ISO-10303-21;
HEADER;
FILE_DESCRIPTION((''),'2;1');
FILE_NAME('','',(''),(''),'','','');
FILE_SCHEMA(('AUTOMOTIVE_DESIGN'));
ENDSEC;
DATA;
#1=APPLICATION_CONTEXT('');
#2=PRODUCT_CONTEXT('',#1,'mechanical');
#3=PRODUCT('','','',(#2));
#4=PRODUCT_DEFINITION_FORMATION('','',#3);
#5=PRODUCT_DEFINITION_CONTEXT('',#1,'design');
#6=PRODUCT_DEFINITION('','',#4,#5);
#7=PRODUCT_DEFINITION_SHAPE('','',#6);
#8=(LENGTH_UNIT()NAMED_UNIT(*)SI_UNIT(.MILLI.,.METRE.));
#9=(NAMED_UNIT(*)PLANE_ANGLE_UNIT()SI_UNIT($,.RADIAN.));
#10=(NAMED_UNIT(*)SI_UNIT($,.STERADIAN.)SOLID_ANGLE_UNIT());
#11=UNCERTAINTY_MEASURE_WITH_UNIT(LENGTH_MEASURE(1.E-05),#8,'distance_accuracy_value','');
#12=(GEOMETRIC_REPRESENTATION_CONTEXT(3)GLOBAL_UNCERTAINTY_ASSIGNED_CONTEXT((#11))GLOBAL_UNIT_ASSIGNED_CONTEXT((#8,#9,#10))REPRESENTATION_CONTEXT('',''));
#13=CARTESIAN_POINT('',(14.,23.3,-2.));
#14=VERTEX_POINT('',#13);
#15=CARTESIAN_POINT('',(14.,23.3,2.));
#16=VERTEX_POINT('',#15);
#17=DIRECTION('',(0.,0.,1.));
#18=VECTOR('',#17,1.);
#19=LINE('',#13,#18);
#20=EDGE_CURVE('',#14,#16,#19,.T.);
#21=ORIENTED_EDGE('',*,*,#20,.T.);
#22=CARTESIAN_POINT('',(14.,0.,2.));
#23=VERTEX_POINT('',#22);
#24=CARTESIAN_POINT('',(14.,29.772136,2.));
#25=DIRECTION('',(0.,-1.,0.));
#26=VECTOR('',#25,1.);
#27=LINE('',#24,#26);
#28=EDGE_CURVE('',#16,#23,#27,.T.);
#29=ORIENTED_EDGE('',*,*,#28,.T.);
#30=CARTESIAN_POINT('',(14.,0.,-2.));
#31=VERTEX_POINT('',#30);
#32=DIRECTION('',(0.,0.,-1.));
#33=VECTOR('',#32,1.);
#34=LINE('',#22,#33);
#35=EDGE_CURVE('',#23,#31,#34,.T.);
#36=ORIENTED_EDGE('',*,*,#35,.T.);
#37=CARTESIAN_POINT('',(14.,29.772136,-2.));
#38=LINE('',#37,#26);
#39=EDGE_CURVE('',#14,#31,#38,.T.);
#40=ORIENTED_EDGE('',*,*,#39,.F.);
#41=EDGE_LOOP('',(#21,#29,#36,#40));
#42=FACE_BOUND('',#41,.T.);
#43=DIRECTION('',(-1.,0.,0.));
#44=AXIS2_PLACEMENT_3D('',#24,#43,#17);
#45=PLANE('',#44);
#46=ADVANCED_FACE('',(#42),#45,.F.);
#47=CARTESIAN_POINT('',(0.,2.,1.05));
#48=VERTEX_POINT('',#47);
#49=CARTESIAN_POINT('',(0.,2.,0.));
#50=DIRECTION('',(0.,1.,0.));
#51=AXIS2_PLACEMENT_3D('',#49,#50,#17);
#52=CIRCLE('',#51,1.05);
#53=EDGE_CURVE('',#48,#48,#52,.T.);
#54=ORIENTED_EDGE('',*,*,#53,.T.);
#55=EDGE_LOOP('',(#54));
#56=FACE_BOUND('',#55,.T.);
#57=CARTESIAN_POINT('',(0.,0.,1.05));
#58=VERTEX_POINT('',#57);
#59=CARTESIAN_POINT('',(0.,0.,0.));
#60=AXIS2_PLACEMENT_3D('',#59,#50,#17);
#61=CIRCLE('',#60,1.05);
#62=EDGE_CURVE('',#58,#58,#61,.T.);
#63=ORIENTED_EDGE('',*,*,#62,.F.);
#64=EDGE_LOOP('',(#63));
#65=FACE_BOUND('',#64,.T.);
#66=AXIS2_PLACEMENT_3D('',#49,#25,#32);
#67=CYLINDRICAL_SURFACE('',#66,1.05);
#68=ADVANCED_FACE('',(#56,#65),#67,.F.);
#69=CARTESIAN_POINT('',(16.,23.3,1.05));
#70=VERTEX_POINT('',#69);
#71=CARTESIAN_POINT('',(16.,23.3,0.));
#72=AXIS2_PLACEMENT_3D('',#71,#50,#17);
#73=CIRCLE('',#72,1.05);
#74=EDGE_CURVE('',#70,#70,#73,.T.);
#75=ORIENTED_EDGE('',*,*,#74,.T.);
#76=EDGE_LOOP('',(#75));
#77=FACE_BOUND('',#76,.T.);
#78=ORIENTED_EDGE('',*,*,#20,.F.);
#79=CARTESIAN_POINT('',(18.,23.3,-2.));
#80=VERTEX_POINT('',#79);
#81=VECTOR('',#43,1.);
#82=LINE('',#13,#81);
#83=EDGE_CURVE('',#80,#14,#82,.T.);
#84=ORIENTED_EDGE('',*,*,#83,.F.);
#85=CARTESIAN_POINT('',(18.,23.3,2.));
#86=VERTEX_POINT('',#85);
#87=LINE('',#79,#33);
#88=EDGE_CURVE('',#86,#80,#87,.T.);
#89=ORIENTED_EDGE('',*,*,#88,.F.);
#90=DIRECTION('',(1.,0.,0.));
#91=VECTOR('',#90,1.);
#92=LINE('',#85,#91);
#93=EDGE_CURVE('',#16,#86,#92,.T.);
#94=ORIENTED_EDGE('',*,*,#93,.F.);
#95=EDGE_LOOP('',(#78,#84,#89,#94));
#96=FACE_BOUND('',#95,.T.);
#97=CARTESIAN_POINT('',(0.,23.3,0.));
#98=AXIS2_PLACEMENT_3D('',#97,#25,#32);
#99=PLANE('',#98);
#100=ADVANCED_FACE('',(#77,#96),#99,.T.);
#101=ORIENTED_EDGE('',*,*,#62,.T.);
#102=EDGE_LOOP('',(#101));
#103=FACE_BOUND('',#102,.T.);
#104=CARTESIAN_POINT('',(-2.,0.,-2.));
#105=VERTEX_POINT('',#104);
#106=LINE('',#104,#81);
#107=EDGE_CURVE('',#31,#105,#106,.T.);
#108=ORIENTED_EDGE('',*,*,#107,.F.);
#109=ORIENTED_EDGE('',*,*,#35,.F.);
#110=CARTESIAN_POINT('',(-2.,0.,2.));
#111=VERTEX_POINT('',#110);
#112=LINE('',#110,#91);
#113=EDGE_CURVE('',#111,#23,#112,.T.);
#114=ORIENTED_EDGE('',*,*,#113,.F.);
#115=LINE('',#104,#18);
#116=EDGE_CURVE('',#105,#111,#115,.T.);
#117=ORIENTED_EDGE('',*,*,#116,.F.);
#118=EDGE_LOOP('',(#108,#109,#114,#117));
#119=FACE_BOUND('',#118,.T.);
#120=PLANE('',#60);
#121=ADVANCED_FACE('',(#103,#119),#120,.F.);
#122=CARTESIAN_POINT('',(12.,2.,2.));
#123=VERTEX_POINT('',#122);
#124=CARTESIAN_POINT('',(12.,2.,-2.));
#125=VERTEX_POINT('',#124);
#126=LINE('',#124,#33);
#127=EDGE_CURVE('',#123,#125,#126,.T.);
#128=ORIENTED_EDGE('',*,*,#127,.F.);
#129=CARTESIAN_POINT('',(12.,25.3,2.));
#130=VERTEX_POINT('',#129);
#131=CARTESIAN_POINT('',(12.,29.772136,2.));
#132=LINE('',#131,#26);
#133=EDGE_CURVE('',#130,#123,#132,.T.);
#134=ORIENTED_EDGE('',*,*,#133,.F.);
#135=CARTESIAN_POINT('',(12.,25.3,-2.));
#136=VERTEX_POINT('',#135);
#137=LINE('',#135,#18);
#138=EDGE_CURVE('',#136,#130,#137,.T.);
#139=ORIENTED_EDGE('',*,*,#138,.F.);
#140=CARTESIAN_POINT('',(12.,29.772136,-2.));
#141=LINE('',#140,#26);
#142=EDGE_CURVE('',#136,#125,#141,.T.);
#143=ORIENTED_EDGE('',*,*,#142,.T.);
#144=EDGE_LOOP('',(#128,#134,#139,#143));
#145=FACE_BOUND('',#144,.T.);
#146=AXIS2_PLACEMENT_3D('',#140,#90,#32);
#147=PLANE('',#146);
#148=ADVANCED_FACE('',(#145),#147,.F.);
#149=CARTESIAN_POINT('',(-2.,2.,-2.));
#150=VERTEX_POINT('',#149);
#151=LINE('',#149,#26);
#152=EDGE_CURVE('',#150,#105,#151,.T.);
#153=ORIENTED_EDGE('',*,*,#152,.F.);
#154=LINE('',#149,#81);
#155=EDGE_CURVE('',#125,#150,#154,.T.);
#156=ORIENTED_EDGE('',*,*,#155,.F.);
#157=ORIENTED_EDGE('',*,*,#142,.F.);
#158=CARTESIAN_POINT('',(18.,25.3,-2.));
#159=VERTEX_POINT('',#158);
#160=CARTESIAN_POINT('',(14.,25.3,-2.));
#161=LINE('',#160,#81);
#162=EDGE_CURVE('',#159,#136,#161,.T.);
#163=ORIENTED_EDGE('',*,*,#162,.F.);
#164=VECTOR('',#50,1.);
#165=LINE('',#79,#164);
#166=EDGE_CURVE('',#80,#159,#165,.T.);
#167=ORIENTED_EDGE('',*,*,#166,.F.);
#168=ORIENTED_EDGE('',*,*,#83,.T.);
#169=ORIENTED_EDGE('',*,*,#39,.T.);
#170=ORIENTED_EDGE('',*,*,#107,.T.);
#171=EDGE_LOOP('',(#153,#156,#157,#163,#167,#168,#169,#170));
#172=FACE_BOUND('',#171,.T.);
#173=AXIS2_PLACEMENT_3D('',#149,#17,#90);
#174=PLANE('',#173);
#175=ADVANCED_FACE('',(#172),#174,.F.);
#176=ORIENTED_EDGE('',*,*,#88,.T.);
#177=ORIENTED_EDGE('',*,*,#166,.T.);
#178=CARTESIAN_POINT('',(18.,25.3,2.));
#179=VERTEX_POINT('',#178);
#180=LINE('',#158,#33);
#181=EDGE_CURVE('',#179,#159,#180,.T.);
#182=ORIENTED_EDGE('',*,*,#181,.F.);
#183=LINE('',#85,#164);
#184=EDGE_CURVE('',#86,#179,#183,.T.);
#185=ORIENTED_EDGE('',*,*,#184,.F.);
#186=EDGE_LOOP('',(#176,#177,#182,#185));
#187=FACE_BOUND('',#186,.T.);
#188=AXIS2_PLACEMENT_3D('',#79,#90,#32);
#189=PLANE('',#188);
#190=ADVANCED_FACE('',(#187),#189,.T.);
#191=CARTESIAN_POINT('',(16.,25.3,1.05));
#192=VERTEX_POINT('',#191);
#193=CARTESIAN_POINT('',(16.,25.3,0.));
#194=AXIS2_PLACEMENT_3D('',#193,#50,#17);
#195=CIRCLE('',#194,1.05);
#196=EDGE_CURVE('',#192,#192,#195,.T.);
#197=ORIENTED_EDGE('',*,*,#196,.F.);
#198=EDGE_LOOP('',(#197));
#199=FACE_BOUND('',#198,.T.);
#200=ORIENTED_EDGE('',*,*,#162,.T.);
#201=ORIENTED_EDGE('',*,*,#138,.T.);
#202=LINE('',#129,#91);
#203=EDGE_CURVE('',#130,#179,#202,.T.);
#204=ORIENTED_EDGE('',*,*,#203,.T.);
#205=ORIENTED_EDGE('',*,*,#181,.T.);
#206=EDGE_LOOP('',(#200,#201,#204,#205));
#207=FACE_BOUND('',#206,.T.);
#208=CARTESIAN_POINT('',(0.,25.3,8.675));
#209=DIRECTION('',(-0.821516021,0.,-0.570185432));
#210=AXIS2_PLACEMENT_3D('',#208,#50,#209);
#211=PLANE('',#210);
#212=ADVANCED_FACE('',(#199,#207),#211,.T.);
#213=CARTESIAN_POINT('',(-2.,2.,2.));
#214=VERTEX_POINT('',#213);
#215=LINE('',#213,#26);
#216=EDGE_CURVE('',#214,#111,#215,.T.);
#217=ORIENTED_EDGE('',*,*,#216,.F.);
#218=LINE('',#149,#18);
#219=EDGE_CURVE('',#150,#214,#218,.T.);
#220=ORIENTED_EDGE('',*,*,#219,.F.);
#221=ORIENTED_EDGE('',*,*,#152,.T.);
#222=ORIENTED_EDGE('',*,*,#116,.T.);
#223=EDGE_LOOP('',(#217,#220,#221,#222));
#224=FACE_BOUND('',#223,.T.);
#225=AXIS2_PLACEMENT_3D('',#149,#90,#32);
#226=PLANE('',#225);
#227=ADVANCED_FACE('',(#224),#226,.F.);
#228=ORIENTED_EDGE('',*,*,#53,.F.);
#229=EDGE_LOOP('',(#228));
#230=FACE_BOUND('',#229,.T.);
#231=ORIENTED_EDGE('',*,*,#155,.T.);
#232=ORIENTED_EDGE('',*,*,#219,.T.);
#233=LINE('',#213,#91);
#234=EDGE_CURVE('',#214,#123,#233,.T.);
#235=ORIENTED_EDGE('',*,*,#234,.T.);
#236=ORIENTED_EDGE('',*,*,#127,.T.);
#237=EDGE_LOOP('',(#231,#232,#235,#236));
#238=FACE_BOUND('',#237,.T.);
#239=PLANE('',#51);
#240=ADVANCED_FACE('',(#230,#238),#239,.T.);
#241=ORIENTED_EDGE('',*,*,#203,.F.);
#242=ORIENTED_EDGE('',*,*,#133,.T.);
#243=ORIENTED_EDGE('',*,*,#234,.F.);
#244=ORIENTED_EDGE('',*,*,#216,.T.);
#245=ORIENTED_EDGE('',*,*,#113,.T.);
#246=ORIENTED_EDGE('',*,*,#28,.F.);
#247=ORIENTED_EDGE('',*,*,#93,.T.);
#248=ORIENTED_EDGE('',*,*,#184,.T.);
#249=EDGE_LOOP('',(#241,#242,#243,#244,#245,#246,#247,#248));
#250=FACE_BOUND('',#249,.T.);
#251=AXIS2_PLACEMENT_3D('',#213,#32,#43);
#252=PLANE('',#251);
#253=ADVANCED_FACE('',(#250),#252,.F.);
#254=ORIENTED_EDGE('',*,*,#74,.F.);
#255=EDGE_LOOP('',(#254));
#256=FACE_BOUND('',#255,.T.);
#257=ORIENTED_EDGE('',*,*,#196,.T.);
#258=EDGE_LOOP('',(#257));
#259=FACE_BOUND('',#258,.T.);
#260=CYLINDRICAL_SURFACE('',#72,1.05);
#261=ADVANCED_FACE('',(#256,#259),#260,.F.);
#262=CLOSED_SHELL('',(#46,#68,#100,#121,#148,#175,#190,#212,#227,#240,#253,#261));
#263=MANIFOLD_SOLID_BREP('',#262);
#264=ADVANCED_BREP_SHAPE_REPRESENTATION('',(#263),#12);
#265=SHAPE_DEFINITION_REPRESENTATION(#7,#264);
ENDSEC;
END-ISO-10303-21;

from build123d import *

# Parameters (mm, degrees)
SKETCH1_W           = 14
SKETCH1_H           = 4
SKETCH1_R           = 1.05
BOSS_EXTRUDE1_DEPTH = 2
SKETCH2_W           = 2
SKETCH2_H           = 4
BOSS_EXTRUDE2_DEPTH = 25.3
SKETCH3_W           = 4
SKETCH3_H           = 4
SKETCH3_R           = 1.05
BOSS_EXTRUDE3_DEPTH = 2


with BuildPart() as part:
    # Sketch1 → Boss-Extrude1 (new body)
    with BuildSketch(Plane(origin=(0, 0, 0), x_dir=(1, 0, 0), z_dir=(0, 1, 0))):
        with Locations((5, 0)):
            Rectangle(SKETCH1_W, SKETCH1_H)
        with Locations(Location((0, 0, 0), (0, 0, 270))):
            Circle(SKETCH1_R, mode=Mode.SUBTRACT)
    extrude(amount=BOSS_EXTRUDE1_DEPTH)

    # Sketch2 → Boss-Extrude2 (add)
    with BuildSketch(Plane(origin=(0, 0, 0), x_dir=(1, 0, 0), z_dir=(0, 1, 0))):
        with Locations((13, 0)):
            Rectangle(SKETCH2_W, SKETCH2_H)
    extrude(amount=BOSS_EXTRUDE2_DEPTH)

    # Sketch3 → Boss-Extrude3 (add)
    with BuildSketch(Plane(origin=(0, 25.3, 0), x_dir=(1, 0, 0), z_dir=(0, 1, 0))):
        with Locations((16, 0)):
            Rectangle(SKETCH3_W, SKETCH3_H)
        with Locations(Location((16, 0, 0), (0, 0, 270))):
            Circle(SKETCH3_R, mode=Mode.SUBTRACT)
    extrude(amount=-BOSS_EXTRUDE3_DEPTH)


solid = part.part
